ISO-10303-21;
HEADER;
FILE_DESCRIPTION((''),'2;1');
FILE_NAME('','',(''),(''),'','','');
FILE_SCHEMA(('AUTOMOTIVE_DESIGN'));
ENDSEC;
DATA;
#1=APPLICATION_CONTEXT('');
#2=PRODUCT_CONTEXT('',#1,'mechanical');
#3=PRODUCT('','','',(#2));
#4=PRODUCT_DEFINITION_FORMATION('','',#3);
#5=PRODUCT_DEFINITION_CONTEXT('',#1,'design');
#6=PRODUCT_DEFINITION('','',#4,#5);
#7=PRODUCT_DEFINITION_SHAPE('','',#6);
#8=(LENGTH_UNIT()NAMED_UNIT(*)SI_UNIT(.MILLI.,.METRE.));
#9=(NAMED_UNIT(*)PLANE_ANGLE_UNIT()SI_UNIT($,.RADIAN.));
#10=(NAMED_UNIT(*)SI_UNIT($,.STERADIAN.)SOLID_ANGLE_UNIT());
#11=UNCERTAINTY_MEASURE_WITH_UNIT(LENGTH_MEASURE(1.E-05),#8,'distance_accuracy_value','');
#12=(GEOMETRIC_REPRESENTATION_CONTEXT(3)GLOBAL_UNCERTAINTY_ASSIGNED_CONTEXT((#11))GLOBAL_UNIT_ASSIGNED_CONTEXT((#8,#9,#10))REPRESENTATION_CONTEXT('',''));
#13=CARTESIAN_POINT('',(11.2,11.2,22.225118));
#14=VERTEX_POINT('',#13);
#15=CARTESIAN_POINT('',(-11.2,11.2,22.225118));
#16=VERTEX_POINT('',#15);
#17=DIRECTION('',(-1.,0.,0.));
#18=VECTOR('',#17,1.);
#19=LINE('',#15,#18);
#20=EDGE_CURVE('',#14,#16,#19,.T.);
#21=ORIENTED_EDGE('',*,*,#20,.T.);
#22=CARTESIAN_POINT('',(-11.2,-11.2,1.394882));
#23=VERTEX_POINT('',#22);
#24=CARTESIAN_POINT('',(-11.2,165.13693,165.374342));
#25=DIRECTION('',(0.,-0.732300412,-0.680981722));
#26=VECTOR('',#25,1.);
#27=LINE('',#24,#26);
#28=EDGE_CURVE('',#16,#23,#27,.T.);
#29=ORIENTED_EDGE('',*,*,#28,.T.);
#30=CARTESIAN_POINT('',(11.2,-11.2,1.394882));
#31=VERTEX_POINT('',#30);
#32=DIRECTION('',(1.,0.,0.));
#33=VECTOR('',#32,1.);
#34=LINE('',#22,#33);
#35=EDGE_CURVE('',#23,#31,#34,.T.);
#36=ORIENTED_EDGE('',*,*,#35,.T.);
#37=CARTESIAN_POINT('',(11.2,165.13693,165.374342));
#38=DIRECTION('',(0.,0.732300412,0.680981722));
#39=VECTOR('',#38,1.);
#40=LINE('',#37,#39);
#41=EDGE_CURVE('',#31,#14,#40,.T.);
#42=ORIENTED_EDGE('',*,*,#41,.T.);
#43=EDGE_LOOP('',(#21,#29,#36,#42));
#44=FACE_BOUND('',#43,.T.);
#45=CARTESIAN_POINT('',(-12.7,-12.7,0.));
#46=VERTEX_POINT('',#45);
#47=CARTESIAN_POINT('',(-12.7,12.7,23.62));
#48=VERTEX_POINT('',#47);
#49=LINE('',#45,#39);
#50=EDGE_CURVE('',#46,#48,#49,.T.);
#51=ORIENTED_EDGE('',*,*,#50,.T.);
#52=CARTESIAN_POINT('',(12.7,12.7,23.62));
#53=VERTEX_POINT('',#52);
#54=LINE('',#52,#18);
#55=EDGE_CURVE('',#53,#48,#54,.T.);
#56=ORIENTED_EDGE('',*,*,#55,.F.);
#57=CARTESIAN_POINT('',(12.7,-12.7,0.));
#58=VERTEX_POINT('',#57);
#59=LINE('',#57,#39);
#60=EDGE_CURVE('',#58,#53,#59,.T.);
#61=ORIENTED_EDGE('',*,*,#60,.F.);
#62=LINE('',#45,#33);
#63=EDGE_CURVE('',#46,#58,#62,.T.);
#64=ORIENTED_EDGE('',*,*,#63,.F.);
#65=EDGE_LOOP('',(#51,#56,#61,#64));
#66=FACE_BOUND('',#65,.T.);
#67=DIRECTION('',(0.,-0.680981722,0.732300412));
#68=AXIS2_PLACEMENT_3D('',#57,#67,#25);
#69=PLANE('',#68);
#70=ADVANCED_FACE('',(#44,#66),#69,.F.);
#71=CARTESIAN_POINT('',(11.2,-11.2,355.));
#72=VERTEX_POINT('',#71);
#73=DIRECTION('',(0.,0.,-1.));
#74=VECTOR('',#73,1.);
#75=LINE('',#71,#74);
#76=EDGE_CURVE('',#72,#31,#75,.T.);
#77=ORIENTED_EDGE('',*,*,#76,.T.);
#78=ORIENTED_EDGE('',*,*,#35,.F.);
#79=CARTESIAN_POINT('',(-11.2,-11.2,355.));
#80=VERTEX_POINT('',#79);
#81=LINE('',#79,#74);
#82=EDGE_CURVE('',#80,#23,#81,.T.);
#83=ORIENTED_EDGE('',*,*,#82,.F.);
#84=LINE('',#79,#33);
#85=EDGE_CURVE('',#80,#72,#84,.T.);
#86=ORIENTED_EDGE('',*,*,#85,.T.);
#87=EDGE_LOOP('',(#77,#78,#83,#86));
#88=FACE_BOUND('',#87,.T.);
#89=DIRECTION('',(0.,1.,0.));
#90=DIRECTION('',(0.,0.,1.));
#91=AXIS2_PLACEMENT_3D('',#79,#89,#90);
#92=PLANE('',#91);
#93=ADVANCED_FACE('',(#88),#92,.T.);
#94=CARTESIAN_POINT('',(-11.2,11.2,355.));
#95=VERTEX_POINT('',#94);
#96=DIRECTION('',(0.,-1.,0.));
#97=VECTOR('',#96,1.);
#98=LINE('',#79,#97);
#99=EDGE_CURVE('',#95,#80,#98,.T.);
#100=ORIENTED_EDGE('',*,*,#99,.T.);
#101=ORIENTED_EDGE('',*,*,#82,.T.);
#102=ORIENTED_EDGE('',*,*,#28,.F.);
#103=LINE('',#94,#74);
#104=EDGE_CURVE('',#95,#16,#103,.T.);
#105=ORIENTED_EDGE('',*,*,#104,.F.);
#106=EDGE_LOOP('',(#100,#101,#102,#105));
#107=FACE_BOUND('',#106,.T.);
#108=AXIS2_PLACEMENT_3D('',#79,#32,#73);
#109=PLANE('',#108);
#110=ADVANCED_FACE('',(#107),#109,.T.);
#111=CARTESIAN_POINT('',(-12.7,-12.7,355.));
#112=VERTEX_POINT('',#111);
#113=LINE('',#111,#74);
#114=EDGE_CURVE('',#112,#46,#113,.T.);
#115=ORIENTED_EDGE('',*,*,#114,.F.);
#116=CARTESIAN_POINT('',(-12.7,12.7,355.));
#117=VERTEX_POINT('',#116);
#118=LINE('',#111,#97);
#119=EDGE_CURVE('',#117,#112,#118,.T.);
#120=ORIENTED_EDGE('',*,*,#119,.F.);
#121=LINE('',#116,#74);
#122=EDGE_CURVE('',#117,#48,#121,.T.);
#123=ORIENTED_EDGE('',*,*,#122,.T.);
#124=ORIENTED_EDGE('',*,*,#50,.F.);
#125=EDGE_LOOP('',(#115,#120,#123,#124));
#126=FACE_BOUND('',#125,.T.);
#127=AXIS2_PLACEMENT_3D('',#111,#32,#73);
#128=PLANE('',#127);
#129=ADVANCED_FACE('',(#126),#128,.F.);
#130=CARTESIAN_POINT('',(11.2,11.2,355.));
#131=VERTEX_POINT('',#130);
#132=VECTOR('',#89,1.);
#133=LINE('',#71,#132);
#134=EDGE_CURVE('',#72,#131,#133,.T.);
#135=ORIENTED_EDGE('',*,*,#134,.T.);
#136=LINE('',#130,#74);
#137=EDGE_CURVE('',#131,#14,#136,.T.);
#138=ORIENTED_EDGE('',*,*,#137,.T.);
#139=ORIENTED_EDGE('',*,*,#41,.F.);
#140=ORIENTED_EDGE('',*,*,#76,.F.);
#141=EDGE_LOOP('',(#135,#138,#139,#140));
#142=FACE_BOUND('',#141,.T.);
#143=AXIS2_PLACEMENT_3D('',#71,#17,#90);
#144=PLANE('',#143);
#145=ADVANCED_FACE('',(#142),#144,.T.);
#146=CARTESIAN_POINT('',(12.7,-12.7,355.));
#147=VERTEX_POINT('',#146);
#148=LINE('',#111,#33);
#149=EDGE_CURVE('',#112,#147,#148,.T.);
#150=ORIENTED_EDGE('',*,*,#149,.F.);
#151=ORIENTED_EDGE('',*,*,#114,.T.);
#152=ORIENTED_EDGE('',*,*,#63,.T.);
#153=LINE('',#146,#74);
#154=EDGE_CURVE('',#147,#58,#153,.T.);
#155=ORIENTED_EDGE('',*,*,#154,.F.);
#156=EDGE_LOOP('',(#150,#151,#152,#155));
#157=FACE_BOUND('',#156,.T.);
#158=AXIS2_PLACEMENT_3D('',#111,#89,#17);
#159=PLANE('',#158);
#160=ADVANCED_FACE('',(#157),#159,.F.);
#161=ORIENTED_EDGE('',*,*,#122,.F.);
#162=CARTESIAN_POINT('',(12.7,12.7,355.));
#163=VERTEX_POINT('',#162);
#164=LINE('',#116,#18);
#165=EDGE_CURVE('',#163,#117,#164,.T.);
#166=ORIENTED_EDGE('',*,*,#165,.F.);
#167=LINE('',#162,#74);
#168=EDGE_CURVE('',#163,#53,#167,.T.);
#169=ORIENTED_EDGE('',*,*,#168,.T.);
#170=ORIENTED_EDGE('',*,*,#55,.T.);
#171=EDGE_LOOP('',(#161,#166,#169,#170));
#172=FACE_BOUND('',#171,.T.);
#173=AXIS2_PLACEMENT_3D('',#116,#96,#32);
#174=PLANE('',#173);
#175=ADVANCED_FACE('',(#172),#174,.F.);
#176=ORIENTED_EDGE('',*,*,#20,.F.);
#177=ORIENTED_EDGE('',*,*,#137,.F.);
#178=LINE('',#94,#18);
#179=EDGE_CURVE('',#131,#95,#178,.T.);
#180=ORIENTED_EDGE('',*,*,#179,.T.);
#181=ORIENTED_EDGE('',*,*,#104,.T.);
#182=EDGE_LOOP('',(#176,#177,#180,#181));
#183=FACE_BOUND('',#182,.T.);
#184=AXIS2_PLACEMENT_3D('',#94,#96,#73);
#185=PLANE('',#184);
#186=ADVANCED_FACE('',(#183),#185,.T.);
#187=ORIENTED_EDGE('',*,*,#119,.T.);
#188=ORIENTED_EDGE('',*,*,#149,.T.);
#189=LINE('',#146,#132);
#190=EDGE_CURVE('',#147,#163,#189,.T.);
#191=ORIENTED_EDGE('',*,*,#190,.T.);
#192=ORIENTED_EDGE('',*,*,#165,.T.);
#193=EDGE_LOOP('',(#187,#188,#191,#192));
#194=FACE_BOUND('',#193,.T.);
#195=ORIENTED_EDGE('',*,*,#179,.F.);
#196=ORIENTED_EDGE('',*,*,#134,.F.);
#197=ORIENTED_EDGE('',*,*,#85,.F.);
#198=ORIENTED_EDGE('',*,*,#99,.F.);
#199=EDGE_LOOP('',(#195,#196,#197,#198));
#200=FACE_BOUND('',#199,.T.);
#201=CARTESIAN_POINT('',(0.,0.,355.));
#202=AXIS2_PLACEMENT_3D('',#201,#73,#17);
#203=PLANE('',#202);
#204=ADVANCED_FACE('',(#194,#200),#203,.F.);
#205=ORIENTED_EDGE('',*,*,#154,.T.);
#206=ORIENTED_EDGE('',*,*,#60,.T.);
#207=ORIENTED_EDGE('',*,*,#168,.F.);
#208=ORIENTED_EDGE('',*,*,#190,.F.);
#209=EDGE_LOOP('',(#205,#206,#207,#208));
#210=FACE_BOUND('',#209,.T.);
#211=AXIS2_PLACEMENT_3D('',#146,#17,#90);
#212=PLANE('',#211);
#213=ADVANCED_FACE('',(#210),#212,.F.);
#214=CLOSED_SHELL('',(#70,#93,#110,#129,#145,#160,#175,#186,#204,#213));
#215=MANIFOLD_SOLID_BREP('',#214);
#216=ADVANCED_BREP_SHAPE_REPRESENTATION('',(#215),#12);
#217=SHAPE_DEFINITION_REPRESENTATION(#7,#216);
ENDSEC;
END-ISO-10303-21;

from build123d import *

# Parameters (mm, degrees)
SKETCH1_W           = 25.4
SKETCH1_H           = 25.4
SKETCH1_W_2         = 22.4
SKETCH1_H_2         = 22.4
BOSS_EXTRUDE1_DEPTH = 355
CUT_EXTRUDE2_DEPTH  = 25.4


with BuildPart() as part:
    # Sketch1 → Boss-Extrude1 (new body)
    with BuildSketch(Plane.XY):
        Rectangle(SKETCH1_W, SKETCH1_H)
        Rectangle(SKETCH1_W_2, SKETCH1_H_2, mode=Mode.SUBTRACT)
    extrude(amount=BOSS_EXTRUDE1_DEPTH)

    # Sketch3 → Cut-Extrude2 (cut)
    with BuildSketch(Plane.ZY.offset(12.7)):
        Polygon((0, -12.7), (23.62, 12.7), (0, 12.7), align=None)
    extrude(amount=-CUT_EXTRUDE2_DEPTH, mode=Mode.SUBTRACT)


solid = part.part
